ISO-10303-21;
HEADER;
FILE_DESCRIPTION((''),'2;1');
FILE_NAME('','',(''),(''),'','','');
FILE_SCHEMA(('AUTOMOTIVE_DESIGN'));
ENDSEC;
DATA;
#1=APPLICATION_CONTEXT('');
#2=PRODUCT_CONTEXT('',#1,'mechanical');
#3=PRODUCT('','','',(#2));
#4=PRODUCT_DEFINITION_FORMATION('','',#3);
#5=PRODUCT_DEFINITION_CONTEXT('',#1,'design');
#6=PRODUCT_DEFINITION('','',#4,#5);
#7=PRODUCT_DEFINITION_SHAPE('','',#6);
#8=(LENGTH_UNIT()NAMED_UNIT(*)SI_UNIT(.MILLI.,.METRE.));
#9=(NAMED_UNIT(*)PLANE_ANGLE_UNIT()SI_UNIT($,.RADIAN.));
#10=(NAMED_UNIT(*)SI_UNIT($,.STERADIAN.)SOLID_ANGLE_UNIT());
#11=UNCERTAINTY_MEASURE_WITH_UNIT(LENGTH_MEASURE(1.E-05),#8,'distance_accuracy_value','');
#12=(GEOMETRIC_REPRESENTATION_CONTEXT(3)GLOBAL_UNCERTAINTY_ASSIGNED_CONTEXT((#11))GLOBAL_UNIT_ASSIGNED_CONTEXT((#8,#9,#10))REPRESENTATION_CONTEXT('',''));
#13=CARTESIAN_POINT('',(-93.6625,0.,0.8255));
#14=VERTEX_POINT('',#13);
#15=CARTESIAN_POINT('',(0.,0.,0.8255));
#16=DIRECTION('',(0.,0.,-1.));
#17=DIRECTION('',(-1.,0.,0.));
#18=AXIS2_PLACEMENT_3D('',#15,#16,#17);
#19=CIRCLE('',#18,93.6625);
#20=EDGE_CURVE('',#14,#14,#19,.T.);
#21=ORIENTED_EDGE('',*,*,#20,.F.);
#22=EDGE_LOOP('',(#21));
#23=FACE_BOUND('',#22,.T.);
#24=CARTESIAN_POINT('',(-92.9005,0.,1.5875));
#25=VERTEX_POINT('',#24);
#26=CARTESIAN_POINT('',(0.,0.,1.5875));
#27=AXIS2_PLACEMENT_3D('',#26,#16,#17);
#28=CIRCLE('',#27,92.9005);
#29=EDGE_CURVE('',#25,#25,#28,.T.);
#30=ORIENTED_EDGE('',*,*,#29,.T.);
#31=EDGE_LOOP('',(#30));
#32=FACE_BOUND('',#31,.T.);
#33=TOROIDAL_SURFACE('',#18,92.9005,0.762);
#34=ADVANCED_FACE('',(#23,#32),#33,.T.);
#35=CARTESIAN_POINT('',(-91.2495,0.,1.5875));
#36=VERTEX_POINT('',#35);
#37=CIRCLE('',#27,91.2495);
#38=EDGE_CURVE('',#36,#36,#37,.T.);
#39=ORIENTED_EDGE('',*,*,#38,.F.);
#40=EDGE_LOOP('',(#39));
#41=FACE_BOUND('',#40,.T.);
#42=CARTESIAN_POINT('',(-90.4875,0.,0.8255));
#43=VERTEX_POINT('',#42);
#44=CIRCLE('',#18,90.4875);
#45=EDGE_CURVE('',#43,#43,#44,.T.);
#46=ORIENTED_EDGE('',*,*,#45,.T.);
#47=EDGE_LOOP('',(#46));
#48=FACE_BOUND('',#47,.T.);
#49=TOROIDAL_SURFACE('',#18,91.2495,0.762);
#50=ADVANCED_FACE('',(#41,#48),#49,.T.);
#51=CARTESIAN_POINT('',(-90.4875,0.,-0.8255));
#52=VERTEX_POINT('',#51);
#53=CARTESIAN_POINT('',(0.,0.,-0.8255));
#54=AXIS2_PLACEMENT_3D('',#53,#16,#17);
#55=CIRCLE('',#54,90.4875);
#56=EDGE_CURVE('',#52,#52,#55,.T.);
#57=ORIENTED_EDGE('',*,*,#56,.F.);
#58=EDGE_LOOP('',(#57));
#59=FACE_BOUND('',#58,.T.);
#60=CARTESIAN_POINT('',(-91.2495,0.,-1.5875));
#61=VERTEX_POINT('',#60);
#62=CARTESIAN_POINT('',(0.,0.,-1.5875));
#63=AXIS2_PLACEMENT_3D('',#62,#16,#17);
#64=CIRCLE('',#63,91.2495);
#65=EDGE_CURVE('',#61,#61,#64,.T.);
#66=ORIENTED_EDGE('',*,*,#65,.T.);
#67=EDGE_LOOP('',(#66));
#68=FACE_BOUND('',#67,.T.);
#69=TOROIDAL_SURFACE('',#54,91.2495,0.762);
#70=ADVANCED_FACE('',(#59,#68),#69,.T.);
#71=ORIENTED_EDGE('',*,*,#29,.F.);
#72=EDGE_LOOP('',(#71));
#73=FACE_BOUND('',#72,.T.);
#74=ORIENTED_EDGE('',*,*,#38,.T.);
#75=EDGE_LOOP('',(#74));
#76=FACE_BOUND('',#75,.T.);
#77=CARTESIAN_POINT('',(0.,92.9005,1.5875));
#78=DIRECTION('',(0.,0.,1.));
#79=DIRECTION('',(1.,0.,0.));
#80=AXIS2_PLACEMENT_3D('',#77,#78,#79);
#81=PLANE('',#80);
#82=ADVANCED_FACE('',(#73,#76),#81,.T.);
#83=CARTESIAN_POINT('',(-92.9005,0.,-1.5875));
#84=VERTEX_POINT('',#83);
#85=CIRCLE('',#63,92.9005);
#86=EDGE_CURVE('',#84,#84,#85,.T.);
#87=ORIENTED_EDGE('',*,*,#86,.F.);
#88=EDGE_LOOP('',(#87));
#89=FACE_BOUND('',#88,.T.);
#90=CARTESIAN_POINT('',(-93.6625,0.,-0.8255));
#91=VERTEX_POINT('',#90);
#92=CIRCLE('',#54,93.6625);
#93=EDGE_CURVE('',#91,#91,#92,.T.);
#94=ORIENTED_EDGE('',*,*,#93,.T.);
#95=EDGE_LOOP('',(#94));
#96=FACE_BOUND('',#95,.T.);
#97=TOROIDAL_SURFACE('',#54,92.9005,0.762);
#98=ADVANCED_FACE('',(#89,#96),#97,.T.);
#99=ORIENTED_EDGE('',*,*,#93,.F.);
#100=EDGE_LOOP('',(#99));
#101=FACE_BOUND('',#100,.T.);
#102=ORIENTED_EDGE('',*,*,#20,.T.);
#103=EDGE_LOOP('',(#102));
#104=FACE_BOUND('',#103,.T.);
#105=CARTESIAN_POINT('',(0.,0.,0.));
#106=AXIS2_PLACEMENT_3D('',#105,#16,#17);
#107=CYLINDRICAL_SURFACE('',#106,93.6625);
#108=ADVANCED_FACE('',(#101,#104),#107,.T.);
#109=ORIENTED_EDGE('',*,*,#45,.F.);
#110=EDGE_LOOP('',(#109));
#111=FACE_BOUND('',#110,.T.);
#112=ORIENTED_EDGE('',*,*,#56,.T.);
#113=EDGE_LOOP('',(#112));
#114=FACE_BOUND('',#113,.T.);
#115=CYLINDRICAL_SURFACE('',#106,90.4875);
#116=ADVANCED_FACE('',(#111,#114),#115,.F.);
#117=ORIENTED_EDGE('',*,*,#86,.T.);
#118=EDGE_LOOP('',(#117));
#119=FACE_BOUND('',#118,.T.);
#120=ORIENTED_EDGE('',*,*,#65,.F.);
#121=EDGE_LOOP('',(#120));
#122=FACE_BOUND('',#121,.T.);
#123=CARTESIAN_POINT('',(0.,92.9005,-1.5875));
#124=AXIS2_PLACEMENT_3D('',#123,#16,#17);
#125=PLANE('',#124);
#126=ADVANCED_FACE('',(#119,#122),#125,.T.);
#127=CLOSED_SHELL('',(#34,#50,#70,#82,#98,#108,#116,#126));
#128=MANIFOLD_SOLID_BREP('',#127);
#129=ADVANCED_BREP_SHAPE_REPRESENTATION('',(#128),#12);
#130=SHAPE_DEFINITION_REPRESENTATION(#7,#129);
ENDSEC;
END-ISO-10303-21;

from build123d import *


with BuildPart() as part:
    # Sketch1 → Revolve1 (revolve)
    with BuildSketch(Plane(origin=(0, 0, 0), x_dir=(0, 0, -1), z_dir=(1, 0, 0))):
        with BuildLine():
            Line((-0.8255, 93.6625), (0.8255, 93.6625))
            ThreePointArc((0.8255, 93.6625), (1.364315367, 93.439315367), (1.5875, 92.9005))
            Line((1.5875, 92.9005), (1.5875, 91.2495))
            ThreePointArc((1.5875, 91.2495), (1.364315367, 90.710684633), (0.8255, 90.4875))
            Line((0.8255, 90.4875), (-0.8255, 90.4875))
            ThreePointArc((-0.8255, 90.4875), (-1.364315367, 90.710684633), (-1.5875, 91.2495))
            Line((-1.5875, 91.2495), (-1.5875, 92.9005))
            ThreePointArc((-1.5875, 92.9005), (-1.364315367, 93.439315367), (-0.8255, 93.6625))
        make_face()
    revolve(axis=Axis((0, 0, 0), (0, 0, 1)))


solid = part.part
